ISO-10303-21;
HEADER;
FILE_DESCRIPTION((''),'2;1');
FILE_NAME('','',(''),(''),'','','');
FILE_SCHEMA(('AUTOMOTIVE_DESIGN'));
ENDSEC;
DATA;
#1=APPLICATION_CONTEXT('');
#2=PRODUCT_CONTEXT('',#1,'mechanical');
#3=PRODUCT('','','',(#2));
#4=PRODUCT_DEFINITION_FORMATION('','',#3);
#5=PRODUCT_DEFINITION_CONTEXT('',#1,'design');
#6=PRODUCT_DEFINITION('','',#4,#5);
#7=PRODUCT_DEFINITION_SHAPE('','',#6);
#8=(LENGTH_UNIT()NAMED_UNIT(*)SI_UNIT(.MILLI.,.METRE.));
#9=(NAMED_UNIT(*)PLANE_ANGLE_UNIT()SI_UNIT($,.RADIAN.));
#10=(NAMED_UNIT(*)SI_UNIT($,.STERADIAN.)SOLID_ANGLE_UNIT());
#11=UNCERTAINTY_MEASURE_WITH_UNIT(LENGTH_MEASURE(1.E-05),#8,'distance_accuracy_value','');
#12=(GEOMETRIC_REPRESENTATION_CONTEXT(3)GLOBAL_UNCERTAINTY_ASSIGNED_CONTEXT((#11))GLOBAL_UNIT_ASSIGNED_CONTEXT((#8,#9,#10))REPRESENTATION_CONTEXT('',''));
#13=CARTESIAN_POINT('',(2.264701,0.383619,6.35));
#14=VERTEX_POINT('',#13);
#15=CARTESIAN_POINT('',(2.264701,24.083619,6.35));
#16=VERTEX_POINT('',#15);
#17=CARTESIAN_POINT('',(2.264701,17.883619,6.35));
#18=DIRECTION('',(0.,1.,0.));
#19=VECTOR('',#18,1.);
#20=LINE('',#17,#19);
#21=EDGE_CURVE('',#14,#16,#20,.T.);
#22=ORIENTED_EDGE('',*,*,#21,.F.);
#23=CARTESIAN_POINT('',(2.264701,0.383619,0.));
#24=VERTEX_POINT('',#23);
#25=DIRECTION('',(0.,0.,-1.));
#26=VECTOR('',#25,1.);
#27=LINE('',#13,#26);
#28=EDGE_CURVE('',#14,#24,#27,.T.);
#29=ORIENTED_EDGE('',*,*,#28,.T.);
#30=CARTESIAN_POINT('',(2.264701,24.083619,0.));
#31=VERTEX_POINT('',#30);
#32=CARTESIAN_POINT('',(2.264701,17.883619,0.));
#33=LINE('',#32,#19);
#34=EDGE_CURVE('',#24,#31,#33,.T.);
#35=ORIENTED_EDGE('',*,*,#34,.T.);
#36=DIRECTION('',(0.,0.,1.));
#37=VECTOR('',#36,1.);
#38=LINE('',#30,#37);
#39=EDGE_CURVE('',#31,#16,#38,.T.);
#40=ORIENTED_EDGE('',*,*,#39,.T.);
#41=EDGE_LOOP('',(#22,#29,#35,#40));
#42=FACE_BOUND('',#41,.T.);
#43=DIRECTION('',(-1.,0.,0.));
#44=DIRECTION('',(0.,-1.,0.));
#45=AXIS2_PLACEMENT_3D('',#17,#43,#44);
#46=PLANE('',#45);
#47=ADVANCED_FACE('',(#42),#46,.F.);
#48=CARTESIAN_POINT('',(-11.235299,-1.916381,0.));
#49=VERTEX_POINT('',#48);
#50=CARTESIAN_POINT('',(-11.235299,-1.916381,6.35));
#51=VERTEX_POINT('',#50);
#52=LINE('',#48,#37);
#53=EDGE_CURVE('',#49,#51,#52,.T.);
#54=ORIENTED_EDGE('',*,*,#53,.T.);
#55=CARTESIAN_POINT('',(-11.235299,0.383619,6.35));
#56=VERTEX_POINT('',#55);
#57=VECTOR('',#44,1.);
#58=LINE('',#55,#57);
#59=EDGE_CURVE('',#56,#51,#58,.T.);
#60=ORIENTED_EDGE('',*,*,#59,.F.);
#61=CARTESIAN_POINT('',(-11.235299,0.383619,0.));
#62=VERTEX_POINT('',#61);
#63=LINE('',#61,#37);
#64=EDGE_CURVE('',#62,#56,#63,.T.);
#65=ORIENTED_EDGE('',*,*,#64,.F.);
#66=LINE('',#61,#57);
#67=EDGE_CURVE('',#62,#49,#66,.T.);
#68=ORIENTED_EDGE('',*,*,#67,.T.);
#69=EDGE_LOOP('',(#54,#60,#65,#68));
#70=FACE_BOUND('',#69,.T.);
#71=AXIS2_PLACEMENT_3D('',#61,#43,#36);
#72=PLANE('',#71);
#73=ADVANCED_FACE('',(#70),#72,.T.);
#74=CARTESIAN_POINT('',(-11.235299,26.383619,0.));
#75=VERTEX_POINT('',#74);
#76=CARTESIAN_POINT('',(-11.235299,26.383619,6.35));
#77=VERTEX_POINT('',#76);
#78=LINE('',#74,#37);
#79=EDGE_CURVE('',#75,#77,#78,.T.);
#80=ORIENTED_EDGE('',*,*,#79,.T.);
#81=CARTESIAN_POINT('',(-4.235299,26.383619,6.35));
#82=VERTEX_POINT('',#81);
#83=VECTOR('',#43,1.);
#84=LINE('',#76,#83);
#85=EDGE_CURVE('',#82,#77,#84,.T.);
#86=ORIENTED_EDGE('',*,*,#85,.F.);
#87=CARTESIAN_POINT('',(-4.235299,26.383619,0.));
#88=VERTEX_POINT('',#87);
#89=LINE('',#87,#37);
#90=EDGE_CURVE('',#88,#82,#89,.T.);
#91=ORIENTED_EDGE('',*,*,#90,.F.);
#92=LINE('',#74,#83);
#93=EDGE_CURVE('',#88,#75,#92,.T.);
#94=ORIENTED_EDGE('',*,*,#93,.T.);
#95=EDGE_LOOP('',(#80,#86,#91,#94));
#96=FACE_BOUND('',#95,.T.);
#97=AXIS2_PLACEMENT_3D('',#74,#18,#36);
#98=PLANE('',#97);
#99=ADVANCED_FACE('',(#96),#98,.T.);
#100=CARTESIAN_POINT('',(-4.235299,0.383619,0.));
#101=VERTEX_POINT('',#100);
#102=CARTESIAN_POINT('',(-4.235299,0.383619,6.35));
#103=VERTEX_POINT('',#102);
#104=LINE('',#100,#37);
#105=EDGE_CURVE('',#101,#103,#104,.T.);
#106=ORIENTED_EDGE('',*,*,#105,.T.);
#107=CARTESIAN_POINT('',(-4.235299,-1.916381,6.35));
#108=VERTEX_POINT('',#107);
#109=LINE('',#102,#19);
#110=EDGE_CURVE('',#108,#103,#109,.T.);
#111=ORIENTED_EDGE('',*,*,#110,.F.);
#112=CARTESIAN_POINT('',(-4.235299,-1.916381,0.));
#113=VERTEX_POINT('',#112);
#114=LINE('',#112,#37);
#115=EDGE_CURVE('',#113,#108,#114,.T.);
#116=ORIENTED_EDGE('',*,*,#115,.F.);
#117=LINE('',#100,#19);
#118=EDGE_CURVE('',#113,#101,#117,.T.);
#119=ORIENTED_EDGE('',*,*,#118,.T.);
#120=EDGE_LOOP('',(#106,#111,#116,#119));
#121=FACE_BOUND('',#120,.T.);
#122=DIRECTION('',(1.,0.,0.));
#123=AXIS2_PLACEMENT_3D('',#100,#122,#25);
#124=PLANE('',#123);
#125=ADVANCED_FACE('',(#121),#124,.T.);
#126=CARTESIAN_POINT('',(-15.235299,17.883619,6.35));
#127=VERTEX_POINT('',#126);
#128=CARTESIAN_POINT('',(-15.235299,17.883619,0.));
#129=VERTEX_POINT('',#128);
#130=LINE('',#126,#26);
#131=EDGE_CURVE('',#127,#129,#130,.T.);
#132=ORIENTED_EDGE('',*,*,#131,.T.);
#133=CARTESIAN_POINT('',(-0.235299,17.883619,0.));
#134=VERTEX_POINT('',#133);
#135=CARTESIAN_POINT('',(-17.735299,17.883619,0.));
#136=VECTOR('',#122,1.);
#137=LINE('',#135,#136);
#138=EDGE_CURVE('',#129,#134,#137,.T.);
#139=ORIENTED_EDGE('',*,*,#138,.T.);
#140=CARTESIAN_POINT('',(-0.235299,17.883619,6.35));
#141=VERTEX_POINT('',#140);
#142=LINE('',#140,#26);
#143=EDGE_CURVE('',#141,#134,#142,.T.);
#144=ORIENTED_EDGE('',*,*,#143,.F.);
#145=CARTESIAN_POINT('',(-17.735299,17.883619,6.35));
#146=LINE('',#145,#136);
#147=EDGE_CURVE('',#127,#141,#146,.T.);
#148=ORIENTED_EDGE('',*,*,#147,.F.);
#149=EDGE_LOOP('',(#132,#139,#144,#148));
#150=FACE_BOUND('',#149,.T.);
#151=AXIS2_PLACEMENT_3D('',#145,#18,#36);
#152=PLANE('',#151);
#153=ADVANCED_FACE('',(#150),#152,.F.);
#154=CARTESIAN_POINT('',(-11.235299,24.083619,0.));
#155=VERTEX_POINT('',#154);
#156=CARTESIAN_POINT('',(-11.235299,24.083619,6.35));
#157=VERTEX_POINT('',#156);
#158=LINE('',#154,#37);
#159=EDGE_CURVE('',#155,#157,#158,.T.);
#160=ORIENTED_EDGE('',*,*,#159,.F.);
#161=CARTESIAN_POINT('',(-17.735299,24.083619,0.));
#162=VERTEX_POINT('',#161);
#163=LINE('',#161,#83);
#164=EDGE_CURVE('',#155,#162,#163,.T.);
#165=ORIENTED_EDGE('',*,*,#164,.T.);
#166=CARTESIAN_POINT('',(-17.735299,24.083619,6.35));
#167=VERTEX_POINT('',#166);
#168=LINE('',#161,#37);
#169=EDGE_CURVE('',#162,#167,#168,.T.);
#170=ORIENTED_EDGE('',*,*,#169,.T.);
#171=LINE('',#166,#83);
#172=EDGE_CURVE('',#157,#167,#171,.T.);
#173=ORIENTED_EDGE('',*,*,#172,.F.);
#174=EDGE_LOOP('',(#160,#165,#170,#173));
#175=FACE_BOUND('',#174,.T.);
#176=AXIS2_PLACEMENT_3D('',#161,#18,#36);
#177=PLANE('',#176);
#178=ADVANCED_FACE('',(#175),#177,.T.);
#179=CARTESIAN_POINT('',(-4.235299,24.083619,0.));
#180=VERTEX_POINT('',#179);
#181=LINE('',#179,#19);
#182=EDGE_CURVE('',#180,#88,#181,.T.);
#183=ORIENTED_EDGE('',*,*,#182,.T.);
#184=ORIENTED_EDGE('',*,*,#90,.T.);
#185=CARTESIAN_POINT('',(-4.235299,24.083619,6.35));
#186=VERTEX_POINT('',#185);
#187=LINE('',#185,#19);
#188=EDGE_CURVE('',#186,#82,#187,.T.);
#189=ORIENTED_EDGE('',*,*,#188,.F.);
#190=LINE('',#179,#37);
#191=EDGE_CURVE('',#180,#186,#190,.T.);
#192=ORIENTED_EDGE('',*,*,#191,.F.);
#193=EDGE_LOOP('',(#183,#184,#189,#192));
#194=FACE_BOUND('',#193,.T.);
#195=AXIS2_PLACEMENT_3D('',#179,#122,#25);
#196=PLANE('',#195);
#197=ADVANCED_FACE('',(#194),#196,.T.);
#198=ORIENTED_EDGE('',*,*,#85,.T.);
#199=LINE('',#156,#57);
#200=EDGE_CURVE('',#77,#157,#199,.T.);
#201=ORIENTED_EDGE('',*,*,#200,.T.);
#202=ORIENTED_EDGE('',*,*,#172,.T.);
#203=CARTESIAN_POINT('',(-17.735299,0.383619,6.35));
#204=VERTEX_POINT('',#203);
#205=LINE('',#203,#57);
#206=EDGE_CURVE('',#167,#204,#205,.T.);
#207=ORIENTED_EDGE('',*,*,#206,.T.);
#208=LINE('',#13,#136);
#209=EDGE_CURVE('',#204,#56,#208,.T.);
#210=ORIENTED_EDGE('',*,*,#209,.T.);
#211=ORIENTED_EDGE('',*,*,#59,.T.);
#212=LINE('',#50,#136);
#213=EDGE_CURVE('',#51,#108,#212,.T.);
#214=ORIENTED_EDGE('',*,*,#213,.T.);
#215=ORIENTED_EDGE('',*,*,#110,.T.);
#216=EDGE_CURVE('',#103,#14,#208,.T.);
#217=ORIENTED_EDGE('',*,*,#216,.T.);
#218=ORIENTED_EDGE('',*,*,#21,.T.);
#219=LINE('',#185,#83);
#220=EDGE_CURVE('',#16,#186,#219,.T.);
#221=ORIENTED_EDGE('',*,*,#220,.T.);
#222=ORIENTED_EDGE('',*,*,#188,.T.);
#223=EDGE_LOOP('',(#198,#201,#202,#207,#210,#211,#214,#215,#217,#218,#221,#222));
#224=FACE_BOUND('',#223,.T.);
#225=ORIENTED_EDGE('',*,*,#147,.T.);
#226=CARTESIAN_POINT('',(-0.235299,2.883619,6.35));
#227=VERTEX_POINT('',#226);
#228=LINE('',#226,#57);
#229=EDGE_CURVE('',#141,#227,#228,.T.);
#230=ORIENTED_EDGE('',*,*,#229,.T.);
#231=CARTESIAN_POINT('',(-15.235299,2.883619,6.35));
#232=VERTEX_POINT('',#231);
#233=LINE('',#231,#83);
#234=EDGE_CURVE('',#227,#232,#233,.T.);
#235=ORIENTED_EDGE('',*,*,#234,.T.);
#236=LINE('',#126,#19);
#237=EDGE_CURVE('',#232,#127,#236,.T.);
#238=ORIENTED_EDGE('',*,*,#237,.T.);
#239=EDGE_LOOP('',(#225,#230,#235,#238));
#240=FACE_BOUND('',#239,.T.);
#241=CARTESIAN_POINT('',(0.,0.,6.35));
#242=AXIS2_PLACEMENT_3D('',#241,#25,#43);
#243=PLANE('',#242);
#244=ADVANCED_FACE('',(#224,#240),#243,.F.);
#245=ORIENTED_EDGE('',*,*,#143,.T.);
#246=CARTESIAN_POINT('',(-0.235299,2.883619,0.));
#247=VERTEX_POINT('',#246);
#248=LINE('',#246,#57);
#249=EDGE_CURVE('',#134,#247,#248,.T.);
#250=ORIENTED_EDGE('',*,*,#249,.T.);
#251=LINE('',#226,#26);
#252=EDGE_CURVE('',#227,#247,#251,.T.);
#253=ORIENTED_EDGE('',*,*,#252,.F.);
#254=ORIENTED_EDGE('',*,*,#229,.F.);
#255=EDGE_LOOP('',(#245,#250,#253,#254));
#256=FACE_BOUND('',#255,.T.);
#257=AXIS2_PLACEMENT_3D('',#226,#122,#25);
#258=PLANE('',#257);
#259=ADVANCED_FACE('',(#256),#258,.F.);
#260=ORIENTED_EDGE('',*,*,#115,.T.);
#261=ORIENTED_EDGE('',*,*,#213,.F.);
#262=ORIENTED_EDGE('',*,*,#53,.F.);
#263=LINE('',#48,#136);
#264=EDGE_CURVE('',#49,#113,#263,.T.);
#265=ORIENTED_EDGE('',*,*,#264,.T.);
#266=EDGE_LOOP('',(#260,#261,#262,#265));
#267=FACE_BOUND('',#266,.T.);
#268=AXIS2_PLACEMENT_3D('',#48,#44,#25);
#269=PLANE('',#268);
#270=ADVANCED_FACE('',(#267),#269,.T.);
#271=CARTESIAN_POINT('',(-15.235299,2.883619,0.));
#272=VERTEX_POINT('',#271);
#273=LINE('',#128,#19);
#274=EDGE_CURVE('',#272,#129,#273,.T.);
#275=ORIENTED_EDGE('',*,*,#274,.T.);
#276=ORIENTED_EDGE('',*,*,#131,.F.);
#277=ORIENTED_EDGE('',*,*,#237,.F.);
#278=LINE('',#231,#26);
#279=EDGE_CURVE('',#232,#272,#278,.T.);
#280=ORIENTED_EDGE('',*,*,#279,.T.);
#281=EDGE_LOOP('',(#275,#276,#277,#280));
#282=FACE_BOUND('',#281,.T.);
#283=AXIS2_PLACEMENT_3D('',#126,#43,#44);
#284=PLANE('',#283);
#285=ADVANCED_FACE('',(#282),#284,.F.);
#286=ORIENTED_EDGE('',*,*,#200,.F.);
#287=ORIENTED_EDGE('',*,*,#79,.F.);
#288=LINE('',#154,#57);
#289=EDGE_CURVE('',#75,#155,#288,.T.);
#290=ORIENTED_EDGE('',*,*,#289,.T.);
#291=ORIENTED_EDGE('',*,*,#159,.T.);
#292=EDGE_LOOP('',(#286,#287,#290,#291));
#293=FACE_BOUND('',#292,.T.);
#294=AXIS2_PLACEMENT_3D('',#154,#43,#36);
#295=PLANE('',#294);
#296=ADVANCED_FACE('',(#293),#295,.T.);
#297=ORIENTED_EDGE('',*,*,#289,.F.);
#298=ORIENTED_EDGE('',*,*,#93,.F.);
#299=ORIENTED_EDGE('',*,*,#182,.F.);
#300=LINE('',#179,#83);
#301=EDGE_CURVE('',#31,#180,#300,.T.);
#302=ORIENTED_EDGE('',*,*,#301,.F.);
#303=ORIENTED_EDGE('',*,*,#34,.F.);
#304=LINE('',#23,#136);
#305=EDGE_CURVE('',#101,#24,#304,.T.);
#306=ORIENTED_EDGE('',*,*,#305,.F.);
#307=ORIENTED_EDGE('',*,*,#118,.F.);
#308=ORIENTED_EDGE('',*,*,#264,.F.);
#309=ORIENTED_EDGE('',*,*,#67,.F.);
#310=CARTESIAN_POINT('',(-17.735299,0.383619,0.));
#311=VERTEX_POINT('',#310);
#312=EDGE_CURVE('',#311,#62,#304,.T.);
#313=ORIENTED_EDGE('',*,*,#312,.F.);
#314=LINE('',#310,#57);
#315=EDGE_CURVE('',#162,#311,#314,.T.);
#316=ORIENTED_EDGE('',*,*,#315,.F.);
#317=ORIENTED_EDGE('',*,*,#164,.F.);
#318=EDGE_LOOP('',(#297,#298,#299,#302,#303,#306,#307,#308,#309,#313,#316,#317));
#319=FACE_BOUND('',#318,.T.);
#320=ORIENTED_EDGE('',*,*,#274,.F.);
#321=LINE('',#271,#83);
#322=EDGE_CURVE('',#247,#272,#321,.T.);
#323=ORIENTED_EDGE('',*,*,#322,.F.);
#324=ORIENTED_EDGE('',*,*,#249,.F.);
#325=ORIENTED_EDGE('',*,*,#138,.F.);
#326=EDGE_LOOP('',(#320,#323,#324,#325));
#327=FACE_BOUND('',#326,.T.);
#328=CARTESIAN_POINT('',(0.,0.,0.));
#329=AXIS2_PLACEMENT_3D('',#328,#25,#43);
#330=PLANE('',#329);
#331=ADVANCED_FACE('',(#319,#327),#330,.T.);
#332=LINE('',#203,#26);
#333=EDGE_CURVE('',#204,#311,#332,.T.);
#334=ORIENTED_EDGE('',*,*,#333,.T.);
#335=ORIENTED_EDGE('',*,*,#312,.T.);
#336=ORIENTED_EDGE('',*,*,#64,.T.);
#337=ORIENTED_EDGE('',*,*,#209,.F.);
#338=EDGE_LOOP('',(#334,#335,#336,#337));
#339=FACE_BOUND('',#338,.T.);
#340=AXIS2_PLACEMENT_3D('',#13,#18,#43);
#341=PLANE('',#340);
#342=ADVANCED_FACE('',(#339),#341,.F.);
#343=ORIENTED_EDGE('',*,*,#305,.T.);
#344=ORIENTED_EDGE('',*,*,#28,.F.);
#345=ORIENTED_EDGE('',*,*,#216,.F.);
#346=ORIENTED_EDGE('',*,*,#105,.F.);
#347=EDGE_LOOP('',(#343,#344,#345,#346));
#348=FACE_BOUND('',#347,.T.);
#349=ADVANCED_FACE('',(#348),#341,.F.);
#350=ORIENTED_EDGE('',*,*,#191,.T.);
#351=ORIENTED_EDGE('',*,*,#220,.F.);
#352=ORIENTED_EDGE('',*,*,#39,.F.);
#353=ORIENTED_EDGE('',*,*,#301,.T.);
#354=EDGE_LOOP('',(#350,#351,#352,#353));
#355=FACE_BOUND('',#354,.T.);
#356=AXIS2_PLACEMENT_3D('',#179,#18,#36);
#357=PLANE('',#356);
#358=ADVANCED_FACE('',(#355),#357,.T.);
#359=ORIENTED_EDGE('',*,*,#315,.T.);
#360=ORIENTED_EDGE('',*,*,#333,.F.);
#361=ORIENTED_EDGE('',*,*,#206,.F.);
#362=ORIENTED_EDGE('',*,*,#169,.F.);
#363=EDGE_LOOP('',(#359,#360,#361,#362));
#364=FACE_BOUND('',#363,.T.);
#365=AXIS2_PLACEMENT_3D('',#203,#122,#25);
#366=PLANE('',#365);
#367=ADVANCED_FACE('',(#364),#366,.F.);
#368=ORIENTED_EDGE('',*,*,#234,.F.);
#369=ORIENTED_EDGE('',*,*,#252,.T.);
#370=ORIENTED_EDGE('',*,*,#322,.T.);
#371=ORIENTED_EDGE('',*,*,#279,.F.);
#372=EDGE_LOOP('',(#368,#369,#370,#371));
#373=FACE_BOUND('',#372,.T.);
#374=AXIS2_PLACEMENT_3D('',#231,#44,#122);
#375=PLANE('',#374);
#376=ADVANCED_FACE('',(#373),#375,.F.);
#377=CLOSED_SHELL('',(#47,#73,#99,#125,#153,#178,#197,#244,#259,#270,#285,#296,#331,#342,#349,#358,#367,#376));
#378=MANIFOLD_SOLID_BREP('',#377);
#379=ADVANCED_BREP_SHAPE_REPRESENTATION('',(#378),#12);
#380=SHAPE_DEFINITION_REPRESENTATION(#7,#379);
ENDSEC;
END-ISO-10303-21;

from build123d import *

# Parameters (mm, degrees)
BOSS_EXTRUDE1_DEPTH = 6.35
SKETCH2_W           = 20
SKETCH2_H           = 2.5
BOSS_EXTRUDE2_DEPTH = 6.35
SKETCH4_W           = 7
SKETCH4_H           = 2.3
BOSS_EXTRUDE3_DEPTH = 6.35


with BuildPart() as part:
    # Sketch1 → Boss-Extrude1 (new body)
    with BuildSketch(Plane.XY):
        Polygon((-15.235299292, 17.883619427), (-15.235299292, 2.883619427), (-0.235299292, 2.883619427), (-0.235299292, 17.883619427), (2.264700708, 17.883619427), (2.264700708, 0.383619427), (-17.735299292, 0.383619427), (-17.735299292, 17.883619427), align=None)
    extrude(amount=BOSS_EXTRUDE1_DEPTH)

    # Sketch2 → Boss-Extrude2 (add, through all)
    with BuildSketch(Plane.XY):
        with Locations((-7.735299292, 19.133619427)):
            Rectangle(SKETCH2_W, SKETCH2_H)
    extrude(amount=BOSS_EXTRUDE2_DEPTH)

    # Sketch4 → Boss-Extrude3 (add)
    with BuildSketch(Plane.XY.offset(6.35)):
        Polygon((-17.735299292, 20.383619427), (2.264700708, 20.383619427), (2.264700708, 24.083619427), (-4.235299292, 24.083619427), (-4.235299292, 26.383619427), (-11.235299292, 26.383619427), (-11.235299292, 24.083619427), (-17.735299292, 24.083619427), align=None)
        with Locations((-7.735299292, -0.766380573)):
            Rectangle(SKETCH4_W, SKETCH4_H)
    extrude(amount=-BOSS_EXTRUDE3_DEPTH)


solid = part.part
